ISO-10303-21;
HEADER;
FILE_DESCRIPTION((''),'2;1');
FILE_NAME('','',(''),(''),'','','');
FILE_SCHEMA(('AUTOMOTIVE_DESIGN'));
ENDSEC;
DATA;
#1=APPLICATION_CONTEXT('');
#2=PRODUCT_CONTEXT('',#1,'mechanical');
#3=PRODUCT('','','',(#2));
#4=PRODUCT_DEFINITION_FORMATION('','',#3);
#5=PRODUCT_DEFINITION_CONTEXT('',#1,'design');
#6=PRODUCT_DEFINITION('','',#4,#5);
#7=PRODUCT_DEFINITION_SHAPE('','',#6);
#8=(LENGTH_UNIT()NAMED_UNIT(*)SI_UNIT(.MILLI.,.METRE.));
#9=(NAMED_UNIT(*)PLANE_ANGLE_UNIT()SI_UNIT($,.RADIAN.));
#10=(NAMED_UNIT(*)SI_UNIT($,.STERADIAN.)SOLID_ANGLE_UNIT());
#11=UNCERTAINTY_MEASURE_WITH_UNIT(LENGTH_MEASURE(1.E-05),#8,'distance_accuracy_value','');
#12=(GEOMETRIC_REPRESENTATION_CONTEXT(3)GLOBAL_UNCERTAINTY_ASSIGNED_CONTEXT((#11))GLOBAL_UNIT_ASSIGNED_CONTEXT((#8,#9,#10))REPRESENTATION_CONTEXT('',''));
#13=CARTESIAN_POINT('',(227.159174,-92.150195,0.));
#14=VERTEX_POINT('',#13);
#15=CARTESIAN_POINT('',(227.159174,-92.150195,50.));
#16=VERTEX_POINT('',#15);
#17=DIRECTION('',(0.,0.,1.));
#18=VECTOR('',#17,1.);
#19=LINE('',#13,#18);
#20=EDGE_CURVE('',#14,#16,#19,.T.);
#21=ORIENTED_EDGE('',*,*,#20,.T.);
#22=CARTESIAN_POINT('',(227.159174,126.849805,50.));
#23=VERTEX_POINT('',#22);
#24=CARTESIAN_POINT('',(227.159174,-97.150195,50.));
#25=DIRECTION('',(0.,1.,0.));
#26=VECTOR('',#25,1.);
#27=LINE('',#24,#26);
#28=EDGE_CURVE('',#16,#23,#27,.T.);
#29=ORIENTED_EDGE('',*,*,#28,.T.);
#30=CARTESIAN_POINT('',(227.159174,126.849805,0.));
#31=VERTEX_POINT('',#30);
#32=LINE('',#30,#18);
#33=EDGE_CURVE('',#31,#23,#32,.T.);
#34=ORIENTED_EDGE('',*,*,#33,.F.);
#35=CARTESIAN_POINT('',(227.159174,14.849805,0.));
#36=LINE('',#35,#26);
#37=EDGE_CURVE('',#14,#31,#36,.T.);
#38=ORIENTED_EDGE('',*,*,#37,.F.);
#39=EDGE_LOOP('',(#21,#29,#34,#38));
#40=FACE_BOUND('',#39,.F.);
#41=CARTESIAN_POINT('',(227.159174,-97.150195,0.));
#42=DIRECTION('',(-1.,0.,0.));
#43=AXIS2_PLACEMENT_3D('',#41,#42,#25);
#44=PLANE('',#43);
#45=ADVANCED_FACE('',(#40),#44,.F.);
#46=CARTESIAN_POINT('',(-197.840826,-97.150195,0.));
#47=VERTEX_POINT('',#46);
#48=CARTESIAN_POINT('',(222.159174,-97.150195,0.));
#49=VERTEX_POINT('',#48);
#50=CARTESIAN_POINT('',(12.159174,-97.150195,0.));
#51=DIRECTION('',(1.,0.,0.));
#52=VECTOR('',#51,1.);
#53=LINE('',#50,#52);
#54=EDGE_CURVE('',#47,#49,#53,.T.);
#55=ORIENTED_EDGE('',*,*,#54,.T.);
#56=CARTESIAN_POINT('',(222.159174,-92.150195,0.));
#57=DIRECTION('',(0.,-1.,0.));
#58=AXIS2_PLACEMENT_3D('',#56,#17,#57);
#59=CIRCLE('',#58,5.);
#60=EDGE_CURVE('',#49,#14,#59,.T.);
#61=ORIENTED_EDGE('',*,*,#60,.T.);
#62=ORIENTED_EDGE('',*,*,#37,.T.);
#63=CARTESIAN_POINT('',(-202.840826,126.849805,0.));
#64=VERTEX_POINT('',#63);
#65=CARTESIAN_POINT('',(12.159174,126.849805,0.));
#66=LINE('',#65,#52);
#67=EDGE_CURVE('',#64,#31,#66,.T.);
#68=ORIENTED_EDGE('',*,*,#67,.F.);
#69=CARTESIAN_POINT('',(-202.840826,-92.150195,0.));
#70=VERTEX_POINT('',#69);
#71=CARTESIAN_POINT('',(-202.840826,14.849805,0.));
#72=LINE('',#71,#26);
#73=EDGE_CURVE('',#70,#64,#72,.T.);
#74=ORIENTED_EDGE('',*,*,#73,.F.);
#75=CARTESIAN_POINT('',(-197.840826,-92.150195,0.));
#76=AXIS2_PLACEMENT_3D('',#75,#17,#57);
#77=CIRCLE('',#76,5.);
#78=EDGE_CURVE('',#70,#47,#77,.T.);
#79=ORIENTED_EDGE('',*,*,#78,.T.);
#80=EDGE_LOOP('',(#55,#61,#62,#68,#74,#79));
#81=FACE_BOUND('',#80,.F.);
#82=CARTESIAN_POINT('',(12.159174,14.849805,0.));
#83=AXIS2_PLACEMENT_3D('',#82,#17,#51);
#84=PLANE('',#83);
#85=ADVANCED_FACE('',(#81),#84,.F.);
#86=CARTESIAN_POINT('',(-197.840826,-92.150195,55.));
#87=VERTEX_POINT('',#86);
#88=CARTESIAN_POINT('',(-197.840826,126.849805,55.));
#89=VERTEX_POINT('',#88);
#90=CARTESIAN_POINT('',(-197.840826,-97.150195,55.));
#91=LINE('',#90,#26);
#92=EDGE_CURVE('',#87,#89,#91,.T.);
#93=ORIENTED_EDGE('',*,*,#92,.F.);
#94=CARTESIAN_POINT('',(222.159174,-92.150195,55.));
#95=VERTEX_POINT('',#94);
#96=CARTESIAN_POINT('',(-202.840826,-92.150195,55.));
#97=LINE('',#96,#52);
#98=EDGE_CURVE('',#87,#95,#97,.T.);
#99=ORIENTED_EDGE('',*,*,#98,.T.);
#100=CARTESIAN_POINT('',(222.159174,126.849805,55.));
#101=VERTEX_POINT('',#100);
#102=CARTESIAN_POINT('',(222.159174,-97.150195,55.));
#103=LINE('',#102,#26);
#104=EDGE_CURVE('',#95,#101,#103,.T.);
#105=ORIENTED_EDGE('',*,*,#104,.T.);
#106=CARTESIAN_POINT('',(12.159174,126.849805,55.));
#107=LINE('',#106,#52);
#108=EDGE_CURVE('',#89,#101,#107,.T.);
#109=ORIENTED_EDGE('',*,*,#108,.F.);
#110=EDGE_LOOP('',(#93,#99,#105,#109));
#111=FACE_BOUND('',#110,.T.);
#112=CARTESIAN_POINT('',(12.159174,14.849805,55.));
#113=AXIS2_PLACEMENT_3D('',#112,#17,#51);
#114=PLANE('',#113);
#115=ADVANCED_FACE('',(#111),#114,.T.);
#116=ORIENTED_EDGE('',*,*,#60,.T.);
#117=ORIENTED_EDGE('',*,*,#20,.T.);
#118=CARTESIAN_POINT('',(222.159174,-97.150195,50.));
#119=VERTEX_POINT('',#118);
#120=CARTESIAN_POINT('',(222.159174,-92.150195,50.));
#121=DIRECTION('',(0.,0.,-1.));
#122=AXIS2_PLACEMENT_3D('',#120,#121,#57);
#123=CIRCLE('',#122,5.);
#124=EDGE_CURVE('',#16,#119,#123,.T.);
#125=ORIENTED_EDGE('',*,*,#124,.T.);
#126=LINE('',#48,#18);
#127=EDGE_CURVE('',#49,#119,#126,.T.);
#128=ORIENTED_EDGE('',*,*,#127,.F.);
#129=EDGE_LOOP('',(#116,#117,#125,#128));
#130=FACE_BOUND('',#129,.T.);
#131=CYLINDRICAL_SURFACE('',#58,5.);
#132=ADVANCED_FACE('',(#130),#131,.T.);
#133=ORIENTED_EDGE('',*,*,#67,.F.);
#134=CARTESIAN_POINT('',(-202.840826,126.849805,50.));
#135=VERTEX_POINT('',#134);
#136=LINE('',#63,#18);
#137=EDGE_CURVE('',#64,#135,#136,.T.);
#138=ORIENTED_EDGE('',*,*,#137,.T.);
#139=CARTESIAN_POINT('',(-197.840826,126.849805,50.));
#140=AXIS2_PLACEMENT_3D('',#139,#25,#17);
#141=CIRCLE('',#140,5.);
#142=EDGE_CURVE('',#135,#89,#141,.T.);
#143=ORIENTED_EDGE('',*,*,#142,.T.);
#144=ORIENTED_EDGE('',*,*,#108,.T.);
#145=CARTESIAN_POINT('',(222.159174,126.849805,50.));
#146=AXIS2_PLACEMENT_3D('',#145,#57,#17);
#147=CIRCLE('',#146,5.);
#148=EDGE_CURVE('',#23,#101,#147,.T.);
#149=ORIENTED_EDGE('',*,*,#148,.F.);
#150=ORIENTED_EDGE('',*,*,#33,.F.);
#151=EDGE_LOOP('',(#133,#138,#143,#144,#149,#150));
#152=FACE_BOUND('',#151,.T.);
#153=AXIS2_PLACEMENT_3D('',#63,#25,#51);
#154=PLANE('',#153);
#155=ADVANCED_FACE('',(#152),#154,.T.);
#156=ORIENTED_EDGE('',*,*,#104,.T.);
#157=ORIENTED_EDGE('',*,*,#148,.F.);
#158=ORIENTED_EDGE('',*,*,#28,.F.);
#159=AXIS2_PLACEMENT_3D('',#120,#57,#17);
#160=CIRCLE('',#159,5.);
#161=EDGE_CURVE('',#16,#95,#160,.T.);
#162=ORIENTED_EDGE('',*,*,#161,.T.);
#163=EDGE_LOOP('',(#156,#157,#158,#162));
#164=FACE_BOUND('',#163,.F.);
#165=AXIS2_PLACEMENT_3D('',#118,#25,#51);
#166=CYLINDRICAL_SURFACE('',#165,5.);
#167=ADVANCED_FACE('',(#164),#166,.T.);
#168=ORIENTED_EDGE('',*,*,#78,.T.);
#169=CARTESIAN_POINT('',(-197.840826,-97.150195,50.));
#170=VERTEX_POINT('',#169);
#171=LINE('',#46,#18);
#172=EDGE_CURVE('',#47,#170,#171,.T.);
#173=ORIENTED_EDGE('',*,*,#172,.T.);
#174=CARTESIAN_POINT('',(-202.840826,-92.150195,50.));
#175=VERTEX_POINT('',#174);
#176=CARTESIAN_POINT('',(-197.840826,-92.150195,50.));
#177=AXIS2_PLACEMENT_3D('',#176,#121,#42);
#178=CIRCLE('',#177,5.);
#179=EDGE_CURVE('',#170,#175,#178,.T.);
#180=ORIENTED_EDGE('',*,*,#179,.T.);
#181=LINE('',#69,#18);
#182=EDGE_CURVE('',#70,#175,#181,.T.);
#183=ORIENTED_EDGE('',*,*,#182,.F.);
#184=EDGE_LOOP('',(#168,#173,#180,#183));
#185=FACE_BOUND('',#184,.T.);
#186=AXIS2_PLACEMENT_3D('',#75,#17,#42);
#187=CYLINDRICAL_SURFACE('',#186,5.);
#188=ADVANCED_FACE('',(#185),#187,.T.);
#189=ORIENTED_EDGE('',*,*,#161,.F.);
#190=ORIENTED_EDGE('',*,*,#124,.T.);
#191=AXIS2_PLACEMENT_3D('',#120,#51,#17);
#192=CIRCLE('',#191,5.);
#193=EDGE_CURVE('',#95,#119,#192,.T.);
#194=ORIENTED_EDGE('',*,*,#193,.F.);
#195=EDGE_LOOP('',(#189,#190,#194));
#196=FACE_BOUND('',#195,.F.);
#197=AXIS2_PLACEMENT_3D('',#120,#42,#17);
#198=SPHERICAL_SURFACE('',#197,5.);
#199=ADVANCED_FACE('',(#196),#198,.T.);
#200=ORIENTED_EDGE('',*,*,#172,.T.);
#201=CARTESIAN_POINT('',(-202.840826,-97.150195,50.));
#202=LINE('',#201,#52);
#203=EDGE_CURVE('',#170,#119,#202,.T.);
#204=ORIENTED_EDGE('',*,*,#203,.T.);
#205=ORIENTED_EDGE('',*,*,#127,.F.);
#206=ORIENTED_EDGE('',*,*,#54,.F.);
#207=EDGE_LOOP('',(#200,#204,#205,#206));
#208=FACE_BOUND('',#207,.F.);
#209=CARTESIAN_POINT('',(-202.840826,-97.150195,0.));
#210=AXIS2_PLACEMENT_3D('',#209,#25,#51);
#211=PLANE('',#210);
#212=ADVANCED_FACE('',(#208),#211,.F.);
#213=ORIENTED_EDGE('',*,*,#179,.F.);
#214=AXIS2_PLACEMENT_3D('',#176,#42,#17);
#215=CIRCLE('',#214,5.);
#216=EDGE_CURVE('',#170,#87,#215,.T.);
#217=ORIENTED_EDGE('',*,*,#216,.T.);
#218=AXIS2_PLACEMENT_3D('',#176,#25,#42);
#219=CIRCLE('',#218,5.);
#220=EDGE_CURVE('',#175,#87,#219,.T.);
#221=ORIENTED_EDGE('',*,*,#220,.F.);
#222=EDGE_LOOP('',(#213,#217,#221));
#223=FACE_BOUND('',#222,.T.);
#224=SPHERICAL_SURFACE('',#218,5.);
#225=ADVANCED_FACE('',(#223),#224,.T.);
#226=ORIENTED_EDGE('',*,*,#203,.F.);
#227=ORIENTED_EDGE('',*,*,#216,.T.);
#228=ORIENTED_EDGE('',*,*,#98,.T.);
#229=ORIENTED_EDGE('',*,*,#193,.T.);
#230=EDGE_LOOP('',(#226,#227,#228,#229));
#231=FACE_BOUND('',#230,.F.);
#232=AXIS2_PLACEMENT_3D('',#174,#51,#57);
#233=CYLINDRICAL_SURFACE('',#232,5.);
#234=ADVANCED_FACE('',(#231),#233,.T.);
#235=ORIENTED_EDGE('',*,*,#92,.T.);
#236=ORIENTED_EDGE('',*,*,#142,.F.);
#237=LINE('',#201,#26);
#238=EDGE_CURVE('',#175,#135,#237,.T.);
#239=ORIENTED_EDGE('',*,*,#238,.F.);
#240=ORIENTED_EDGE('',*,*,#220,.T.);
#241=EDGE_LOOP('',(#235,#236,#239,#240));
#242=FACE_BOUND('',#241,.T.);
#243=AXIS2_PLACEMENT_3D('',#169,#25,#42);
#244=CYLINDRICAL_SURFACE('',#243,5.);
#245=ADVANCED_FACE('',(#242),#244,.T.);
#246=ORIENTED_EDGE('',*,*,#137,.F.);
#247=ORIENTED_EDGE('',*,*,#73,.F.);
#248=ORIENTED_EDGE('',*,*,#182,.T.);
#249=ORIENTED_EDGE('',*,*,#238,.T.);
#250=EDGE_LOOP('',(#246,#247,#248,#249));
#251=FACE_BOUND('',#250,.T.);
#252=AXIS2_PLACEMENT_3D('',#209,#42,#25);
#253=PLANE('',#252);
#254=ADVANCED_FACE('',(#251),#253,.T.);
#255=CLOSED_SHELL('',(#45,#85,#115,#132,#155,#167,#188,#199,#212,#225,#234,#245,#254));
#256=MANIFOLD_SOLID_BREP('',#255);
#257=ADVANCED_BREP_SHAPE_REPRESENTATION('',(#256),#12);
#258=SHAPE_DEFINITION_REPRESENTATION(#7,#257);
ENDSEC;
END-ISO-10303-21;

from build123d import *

# Parameters (mm, degrees)
F0_W     = 430
F0_H     = 224
F1_DEPTH = 55
F2_R     = 5


with BuildPart() as f1:
    # F0 (on Top) → F1 (new body)
    with BuildSketch(Plane.XY):
        with Locations((12.159174, 14.849805)):
            Rectangle(F0_W, F0_H)
    extrude(amount=F1_DEPTH)

    # F2
    f2_edges = [f1.edges().sort_by_distance(p)[0] for p in [
        (-202.840826, 14.849805, 55),
        (-202.840826, -97.150195, 27.5),
        (12.159174, -97.150195, 55),
        (227.159174, 14.849805, 55),
        (227.159174, -97.150195, 27.5),
    ]]
    fillet(f2_edges, radius=F2_R)


solid = f1.part
